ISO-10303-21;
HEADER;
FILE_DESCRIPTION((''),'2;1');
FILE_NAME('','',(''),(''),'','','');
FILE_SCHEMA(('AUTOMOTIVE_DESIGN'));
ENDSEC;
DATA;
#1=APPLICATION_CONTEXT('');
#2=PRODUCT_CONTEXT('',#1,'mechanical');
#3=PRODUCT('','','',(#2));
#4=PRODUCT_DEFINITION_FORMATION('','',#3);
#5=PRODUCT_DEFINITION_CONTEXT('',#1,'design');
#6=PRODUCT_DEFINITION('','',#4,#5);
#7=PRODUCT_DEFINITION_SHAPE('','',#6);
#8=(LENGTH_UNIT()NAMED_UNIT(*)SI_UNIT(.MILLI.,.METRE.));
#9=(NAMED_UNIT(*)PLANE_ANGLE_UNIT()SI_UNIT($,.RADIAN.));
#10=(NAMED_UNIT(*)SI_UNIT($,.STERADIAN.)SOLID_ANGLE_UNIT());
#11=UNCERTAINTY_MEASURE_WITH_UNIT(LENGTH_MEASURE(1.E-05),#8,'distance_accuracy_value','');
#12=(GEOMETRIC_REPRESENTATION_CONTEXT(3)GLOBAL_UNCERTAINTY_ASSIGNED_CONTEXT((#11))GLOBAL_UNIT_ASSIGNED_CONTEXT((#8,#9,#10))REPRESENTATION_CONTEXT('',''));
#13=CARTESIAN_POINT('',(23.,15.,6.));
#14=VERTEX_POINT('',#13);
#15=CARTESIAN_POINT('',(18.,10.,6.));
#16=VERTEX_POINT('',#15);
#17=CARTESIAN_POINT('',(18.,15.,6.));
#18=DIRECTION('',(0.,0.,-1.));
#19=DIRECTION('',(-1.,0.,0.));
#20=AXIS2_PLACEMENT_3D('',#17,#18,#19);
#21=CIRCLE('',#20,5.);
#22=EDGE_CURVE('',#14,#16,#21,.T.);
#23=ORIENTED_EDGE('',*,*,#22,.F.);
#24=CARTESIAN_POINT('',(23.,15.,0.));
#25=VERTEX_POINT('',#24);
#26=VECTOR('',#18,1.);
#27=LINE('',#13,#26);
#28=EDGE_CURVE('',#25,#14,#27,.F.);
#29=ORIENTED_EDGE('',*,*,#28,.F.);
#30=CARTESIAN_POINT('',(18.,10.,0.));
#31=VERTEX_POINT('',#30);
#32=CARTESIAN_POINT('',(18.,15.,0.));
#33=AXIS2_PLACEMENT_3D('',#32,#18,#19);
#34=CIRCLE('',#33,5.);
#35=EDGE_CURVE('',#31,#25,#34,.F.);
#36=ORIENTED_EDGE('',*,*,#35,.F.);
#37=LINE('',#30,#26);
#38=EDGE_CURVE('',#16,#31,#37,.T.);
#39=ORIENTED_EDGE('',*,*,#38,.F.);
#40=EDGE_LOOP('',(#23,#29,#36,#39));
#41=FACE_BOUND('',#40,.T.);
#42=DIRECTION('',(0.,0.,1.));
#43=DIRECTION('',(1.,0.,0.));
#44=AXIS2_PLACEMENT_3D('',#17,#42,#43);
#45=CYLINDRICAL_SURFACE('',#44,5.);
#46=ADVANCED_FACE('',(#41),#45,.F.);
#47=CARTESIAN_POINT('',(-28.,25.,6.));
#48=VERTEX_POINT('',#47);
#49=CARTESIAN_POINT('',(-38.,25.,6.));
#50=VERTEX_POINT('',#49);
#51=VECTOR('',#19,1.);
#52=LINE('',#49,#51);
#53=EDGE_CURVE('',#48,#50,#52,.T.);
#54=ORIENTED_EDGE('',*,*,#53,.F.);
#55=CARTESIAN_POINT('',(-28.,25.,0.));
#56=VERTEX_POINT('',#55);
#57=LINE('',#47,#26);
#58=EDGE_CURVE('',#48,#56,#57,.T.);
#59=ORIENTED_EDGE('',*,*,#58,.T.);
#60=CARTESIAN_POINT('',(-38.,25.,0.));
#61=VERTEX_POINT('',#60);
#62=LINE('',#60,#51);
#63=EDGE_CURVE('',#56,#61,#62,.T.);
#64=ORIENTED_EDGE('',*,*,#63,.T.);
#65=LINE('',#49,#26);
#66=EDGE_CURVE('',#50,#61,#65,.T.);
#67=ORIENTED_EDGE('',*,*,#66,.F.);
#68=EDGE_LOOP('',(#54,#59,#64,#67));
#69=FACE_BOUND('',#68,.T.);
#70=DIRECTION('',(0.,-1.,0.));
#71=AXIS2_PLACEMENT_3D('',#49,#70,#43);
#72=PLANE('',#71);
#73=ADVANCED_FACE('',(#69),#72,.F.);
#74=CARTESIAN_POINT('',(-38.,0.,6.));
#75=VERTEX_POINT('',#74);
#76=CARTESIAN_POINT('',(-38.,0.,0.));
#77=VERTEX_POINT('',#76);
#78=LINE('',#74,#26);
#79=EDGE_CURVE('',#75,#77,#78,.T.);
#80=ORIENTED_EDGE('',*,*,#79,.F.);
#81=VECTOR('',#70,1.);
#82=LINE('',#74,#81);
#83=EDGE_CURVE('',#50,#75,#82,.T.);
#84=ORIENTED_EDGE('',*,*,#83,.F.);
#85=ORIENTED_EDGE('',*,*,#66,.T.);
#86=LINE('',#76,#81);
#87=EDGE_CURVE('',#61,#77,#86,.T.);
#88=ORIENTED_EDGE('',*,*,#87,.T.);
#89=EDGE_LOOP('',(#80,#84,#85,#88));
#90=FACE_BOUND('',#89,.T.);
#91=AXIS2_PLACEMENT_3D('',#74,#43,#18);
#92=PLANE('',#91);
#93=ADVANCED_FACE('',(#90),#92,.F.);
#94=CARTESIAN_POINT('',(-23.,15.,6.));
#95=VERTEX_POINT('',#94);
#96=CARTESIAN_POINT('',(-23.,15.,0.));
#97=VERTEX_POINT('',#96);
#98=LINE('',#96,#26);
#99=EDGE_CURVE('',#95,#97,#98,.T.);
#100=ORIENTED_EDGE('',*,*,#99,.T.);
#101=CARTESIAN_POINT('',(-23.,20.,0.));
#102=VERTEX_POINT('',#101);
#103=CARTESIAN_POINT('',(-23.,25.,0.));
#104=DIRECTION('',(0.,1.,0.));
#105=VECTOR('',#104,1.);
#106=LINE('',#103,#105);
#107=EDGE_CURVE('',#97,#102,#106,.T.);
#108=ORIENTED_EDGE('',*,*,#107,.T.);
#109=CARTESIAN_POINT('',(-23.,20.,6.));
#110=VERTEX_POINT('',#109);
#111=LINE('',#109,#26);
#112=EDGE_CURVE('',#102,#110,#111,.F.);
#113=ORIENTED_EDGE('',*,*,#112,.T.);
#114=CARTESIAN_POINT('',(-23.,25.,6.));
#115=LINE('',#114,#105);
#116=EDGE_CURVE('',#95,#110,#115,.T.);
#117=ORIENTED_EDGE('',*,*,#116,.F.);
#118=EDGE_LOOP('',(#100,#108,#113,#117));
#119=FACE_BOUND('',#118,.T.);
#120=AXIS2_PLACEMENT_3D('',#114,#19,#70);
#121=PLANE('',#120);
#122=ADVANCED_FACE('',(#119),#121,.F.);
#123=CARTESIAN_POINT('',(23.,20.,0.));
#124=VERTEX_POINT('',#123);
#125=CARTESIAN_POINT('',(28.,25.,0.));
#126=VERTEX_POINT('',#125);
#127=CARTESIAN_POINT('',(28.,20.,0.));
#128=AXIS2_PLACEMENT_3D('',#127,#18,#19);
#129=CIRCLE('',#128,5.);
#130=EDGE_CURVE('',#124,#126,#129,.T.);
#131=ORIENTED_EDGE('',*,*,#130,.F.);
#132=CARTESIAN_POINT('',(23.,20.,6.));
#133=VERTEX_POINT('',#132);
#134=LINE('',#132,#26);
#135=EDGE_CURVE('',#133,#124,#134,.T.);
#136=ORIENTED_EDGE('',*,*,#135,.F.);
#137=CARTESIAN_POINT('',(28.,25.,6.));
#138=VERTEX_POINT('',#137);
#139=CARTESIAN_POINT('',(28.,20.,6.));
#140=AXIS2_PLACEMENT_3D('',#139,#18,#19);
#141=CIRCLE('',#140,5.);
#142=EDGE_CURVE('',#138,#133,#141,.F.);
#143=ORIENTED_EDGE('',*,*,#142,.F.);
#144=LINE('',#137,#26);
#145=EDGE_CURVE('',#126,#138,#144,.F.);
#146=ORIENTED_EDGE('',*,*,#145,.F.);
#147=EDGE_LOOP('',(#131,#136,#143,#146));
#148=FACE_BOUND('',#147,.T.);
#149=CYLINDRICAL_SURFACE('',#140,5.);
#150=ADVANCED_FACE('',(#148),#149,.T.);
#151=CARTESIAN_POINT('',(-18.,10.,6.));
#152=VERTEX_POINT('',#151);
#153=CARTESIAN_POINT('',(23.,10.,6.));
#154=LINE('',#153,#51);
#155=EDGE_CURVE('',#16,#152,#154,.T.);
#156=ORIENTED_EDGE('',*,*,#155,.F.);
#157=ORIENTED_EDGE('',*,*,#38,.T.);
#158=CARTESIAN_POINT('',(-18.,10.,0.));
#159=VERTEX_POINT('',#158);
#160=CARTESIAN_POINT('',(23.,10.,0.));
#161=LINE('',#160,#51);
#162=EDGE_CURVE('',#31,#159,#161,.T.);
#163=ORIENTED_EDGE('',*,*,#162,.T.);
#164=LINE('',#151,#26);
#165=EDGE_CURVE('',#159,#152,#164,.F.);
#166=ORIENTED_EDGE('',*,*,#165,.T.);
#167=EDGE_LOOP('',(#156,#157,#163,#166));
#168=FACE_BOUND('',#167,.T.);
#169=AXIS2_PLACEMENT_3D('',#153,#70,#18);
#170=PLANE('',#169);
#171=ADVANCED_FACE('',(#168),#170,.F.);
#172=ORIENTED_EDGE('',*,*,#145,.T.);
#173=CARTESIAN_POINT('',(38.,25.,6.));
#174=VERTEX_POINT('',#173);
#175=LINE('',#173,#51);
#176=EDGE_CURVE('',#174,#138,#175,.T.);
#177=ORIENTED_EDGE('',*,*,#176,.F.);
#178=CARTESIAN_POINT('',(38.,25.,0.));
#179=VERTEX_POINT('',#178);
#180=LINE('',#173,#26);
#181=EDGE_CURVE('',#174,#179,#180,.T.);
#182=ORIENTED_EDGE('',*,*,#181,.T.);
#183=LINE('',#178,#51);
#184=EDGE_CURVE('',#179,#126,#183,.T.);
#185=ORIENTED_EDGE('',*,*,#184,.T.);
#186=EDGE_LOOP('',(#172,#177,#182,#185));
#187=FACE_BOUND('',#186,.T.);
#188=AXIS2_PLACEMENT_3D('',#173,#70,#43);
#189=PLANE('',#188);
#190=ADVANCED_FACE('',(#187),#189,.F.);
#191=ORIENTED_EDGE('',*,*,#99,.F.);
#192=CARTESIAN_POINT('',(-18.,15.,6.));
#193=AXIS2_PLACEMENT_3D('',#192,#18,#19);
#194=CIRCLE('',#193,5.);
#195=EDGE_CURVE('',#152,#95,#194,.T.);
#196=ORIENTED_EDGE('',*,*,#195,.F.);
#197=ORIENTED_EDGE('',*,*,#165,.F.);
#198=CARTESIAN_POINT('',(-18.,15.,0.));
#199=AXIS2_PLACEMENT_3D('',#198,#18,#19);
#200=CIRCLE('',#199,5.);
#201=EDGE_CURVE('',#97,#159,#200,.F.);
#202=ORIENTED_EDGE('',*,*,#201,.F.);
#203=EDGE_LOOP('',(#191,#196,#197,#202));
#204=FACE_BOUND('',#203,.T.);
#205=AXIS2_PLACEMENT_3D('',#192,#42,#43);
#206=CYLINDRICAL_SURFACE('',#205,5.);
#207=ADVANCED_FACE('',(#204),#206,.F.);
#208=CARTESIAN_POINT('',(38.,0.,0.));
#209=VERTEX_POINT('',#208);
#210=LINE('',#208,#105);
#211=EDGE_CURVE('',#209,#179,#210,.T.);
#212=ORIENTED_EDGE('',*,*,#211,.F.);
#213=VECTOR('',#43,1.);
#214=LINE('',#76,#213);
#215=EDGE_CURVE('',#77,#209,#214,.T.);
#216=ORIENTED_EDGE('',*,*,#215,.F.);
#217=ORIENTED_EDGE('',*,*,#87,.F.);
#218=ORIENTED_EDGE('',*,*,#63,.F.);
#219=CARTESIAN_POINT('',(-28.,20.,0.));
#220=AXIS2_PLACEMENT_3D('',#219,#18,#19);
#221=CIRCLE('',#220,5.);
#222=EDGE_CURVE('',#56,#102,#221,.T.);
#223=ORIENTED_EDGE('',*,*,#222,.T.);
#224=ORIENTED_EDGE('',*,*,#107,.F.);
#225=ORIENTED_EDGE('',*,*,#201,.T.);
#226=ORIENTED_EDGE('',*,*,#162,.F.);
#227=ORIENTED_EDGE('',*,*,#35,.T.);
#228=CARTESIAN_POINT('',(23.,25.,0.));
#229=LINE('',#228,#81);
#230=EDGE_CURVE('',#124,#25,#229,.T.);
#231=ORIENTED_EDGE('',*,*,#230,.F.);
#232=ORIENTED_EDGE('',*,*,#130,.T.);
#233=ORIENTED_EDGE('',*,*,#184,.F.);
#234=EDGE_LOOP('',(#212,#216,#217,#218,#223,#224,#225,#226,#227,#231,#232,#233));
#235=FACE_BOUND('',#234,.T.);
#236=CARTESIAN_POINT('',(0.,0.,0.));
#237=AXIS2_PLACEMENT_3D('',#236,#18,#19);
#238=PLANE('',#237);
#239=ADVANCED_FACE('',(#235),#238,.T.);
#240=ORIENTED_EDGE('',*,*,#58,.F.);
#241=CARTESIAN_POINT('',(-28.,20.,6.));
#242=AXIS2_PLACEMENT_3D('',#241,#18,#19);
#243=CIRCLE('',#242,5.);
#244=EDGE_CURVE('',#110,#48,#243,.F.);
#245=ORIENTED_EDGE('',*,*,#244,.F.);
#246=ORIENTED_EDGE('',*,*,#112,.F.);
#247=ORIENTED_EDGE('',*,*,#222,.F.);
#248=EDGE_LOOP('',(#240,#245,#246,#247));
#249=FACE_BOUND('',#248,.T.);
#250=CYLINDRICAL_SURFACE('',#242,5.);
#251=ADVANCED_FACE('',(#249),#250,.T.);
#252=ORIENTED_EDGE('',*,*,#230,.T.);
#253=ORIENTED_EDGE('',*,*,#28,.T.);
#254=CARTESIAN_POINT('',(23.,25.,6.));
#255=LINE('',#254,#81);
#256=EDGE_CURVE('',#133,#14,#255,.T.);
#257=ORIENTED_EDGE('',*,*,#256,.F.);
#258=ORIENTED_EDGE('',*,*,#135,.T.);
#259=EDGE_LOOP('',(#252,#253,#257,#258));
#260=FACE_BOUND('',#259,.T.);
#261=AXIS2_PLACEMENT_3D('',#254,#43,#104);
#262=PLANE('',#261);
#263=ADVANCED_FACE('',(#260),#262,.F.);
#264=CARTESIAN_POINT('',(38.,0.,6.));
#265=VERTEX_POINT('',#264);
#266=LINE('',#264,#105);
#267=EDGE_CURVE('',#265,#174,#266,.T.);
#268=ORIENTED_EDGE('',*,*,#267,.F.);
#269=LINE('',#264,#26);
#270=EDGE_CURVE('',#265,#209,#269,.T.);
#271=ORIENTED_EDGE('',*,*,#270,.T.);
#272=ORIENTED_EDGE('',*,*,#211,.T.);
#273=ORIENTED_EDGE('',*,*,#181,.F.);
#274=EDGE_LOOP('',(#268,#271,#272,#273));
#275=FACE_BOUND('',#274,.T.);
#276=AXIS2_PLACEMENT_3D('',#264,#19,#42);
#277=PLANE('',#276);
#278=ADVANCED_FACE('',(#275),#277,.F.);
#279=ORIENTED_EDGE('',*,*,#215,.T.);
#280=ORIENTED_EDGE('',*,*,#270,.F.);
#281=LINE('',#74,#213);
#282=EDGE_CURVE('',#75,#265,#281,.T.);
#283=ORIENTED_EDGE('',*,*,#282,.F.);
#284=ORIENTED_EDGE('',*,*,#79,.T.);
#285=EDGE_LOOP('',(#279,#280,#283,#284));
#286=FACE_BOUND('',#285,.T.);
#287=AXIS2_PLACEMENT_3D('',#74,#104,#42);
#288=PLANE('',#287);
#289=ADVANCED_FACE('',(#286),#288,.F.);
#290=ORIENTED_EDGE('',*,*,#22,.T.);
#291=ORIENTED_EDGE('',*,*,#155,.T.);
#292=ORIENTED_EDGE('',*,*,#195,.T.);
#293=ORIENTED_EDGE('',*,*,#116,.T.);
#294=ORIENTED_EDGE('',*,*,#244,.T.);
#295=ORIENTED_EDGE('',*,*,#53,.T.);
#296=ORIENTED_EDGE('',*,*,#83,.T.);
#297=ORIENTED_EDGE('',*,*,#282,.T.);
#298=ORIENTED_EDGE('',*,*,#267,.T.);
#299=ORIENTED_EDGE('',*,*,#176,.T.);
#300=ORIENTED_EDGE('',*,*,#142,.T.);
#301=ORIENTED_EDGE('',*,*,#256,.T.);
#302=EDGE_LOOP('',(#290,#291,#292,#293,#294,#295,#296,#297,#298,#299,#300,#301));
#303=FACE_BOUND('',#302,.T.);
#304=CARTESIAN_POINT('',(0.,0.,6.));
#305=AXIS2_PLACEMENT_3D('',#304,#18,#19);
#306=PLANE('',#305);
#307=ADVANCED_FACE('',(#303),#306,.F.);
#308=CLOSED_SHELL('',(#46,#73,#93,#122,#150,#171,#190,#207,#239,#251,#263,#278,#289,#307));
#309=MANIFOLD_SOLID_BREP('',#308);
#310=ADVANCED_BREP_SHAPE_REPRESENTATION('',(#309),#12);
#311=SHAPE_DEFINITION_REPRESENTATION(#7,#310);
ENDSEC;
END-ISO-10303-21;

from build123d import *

# Parameters (mm, degrees)
EXTRUDE_1_DEPTH = 6
FILLET_1_R      = 5


with BuildPart() as part:
    # ｽｹｯﾁ1 → ﾎﾞｽ - 押し出し1 (new body)
    with BuildSketch(Plane.XY):
        Polygon((-38, 0), (38, 0), (38, 25), (23, 25), (23, 10), (-23, 10), (-23, 25), (-38, 25), align=None)
    extrude(amount=EXTRUDE_1_DEPTH)

    # ﾌｨﾚｯﾄ1
    fillet_1_edges = [part.edges().sort_by_distance(p)[0] for p in [
        (23, 25, 3),
        (-23, 25, 3),
        (-23, 10, 3),
        (23, 10, 3),
    ]]
    fillet(fillet_1_edges, radius=FILLET_1_R)


solid = part.part
